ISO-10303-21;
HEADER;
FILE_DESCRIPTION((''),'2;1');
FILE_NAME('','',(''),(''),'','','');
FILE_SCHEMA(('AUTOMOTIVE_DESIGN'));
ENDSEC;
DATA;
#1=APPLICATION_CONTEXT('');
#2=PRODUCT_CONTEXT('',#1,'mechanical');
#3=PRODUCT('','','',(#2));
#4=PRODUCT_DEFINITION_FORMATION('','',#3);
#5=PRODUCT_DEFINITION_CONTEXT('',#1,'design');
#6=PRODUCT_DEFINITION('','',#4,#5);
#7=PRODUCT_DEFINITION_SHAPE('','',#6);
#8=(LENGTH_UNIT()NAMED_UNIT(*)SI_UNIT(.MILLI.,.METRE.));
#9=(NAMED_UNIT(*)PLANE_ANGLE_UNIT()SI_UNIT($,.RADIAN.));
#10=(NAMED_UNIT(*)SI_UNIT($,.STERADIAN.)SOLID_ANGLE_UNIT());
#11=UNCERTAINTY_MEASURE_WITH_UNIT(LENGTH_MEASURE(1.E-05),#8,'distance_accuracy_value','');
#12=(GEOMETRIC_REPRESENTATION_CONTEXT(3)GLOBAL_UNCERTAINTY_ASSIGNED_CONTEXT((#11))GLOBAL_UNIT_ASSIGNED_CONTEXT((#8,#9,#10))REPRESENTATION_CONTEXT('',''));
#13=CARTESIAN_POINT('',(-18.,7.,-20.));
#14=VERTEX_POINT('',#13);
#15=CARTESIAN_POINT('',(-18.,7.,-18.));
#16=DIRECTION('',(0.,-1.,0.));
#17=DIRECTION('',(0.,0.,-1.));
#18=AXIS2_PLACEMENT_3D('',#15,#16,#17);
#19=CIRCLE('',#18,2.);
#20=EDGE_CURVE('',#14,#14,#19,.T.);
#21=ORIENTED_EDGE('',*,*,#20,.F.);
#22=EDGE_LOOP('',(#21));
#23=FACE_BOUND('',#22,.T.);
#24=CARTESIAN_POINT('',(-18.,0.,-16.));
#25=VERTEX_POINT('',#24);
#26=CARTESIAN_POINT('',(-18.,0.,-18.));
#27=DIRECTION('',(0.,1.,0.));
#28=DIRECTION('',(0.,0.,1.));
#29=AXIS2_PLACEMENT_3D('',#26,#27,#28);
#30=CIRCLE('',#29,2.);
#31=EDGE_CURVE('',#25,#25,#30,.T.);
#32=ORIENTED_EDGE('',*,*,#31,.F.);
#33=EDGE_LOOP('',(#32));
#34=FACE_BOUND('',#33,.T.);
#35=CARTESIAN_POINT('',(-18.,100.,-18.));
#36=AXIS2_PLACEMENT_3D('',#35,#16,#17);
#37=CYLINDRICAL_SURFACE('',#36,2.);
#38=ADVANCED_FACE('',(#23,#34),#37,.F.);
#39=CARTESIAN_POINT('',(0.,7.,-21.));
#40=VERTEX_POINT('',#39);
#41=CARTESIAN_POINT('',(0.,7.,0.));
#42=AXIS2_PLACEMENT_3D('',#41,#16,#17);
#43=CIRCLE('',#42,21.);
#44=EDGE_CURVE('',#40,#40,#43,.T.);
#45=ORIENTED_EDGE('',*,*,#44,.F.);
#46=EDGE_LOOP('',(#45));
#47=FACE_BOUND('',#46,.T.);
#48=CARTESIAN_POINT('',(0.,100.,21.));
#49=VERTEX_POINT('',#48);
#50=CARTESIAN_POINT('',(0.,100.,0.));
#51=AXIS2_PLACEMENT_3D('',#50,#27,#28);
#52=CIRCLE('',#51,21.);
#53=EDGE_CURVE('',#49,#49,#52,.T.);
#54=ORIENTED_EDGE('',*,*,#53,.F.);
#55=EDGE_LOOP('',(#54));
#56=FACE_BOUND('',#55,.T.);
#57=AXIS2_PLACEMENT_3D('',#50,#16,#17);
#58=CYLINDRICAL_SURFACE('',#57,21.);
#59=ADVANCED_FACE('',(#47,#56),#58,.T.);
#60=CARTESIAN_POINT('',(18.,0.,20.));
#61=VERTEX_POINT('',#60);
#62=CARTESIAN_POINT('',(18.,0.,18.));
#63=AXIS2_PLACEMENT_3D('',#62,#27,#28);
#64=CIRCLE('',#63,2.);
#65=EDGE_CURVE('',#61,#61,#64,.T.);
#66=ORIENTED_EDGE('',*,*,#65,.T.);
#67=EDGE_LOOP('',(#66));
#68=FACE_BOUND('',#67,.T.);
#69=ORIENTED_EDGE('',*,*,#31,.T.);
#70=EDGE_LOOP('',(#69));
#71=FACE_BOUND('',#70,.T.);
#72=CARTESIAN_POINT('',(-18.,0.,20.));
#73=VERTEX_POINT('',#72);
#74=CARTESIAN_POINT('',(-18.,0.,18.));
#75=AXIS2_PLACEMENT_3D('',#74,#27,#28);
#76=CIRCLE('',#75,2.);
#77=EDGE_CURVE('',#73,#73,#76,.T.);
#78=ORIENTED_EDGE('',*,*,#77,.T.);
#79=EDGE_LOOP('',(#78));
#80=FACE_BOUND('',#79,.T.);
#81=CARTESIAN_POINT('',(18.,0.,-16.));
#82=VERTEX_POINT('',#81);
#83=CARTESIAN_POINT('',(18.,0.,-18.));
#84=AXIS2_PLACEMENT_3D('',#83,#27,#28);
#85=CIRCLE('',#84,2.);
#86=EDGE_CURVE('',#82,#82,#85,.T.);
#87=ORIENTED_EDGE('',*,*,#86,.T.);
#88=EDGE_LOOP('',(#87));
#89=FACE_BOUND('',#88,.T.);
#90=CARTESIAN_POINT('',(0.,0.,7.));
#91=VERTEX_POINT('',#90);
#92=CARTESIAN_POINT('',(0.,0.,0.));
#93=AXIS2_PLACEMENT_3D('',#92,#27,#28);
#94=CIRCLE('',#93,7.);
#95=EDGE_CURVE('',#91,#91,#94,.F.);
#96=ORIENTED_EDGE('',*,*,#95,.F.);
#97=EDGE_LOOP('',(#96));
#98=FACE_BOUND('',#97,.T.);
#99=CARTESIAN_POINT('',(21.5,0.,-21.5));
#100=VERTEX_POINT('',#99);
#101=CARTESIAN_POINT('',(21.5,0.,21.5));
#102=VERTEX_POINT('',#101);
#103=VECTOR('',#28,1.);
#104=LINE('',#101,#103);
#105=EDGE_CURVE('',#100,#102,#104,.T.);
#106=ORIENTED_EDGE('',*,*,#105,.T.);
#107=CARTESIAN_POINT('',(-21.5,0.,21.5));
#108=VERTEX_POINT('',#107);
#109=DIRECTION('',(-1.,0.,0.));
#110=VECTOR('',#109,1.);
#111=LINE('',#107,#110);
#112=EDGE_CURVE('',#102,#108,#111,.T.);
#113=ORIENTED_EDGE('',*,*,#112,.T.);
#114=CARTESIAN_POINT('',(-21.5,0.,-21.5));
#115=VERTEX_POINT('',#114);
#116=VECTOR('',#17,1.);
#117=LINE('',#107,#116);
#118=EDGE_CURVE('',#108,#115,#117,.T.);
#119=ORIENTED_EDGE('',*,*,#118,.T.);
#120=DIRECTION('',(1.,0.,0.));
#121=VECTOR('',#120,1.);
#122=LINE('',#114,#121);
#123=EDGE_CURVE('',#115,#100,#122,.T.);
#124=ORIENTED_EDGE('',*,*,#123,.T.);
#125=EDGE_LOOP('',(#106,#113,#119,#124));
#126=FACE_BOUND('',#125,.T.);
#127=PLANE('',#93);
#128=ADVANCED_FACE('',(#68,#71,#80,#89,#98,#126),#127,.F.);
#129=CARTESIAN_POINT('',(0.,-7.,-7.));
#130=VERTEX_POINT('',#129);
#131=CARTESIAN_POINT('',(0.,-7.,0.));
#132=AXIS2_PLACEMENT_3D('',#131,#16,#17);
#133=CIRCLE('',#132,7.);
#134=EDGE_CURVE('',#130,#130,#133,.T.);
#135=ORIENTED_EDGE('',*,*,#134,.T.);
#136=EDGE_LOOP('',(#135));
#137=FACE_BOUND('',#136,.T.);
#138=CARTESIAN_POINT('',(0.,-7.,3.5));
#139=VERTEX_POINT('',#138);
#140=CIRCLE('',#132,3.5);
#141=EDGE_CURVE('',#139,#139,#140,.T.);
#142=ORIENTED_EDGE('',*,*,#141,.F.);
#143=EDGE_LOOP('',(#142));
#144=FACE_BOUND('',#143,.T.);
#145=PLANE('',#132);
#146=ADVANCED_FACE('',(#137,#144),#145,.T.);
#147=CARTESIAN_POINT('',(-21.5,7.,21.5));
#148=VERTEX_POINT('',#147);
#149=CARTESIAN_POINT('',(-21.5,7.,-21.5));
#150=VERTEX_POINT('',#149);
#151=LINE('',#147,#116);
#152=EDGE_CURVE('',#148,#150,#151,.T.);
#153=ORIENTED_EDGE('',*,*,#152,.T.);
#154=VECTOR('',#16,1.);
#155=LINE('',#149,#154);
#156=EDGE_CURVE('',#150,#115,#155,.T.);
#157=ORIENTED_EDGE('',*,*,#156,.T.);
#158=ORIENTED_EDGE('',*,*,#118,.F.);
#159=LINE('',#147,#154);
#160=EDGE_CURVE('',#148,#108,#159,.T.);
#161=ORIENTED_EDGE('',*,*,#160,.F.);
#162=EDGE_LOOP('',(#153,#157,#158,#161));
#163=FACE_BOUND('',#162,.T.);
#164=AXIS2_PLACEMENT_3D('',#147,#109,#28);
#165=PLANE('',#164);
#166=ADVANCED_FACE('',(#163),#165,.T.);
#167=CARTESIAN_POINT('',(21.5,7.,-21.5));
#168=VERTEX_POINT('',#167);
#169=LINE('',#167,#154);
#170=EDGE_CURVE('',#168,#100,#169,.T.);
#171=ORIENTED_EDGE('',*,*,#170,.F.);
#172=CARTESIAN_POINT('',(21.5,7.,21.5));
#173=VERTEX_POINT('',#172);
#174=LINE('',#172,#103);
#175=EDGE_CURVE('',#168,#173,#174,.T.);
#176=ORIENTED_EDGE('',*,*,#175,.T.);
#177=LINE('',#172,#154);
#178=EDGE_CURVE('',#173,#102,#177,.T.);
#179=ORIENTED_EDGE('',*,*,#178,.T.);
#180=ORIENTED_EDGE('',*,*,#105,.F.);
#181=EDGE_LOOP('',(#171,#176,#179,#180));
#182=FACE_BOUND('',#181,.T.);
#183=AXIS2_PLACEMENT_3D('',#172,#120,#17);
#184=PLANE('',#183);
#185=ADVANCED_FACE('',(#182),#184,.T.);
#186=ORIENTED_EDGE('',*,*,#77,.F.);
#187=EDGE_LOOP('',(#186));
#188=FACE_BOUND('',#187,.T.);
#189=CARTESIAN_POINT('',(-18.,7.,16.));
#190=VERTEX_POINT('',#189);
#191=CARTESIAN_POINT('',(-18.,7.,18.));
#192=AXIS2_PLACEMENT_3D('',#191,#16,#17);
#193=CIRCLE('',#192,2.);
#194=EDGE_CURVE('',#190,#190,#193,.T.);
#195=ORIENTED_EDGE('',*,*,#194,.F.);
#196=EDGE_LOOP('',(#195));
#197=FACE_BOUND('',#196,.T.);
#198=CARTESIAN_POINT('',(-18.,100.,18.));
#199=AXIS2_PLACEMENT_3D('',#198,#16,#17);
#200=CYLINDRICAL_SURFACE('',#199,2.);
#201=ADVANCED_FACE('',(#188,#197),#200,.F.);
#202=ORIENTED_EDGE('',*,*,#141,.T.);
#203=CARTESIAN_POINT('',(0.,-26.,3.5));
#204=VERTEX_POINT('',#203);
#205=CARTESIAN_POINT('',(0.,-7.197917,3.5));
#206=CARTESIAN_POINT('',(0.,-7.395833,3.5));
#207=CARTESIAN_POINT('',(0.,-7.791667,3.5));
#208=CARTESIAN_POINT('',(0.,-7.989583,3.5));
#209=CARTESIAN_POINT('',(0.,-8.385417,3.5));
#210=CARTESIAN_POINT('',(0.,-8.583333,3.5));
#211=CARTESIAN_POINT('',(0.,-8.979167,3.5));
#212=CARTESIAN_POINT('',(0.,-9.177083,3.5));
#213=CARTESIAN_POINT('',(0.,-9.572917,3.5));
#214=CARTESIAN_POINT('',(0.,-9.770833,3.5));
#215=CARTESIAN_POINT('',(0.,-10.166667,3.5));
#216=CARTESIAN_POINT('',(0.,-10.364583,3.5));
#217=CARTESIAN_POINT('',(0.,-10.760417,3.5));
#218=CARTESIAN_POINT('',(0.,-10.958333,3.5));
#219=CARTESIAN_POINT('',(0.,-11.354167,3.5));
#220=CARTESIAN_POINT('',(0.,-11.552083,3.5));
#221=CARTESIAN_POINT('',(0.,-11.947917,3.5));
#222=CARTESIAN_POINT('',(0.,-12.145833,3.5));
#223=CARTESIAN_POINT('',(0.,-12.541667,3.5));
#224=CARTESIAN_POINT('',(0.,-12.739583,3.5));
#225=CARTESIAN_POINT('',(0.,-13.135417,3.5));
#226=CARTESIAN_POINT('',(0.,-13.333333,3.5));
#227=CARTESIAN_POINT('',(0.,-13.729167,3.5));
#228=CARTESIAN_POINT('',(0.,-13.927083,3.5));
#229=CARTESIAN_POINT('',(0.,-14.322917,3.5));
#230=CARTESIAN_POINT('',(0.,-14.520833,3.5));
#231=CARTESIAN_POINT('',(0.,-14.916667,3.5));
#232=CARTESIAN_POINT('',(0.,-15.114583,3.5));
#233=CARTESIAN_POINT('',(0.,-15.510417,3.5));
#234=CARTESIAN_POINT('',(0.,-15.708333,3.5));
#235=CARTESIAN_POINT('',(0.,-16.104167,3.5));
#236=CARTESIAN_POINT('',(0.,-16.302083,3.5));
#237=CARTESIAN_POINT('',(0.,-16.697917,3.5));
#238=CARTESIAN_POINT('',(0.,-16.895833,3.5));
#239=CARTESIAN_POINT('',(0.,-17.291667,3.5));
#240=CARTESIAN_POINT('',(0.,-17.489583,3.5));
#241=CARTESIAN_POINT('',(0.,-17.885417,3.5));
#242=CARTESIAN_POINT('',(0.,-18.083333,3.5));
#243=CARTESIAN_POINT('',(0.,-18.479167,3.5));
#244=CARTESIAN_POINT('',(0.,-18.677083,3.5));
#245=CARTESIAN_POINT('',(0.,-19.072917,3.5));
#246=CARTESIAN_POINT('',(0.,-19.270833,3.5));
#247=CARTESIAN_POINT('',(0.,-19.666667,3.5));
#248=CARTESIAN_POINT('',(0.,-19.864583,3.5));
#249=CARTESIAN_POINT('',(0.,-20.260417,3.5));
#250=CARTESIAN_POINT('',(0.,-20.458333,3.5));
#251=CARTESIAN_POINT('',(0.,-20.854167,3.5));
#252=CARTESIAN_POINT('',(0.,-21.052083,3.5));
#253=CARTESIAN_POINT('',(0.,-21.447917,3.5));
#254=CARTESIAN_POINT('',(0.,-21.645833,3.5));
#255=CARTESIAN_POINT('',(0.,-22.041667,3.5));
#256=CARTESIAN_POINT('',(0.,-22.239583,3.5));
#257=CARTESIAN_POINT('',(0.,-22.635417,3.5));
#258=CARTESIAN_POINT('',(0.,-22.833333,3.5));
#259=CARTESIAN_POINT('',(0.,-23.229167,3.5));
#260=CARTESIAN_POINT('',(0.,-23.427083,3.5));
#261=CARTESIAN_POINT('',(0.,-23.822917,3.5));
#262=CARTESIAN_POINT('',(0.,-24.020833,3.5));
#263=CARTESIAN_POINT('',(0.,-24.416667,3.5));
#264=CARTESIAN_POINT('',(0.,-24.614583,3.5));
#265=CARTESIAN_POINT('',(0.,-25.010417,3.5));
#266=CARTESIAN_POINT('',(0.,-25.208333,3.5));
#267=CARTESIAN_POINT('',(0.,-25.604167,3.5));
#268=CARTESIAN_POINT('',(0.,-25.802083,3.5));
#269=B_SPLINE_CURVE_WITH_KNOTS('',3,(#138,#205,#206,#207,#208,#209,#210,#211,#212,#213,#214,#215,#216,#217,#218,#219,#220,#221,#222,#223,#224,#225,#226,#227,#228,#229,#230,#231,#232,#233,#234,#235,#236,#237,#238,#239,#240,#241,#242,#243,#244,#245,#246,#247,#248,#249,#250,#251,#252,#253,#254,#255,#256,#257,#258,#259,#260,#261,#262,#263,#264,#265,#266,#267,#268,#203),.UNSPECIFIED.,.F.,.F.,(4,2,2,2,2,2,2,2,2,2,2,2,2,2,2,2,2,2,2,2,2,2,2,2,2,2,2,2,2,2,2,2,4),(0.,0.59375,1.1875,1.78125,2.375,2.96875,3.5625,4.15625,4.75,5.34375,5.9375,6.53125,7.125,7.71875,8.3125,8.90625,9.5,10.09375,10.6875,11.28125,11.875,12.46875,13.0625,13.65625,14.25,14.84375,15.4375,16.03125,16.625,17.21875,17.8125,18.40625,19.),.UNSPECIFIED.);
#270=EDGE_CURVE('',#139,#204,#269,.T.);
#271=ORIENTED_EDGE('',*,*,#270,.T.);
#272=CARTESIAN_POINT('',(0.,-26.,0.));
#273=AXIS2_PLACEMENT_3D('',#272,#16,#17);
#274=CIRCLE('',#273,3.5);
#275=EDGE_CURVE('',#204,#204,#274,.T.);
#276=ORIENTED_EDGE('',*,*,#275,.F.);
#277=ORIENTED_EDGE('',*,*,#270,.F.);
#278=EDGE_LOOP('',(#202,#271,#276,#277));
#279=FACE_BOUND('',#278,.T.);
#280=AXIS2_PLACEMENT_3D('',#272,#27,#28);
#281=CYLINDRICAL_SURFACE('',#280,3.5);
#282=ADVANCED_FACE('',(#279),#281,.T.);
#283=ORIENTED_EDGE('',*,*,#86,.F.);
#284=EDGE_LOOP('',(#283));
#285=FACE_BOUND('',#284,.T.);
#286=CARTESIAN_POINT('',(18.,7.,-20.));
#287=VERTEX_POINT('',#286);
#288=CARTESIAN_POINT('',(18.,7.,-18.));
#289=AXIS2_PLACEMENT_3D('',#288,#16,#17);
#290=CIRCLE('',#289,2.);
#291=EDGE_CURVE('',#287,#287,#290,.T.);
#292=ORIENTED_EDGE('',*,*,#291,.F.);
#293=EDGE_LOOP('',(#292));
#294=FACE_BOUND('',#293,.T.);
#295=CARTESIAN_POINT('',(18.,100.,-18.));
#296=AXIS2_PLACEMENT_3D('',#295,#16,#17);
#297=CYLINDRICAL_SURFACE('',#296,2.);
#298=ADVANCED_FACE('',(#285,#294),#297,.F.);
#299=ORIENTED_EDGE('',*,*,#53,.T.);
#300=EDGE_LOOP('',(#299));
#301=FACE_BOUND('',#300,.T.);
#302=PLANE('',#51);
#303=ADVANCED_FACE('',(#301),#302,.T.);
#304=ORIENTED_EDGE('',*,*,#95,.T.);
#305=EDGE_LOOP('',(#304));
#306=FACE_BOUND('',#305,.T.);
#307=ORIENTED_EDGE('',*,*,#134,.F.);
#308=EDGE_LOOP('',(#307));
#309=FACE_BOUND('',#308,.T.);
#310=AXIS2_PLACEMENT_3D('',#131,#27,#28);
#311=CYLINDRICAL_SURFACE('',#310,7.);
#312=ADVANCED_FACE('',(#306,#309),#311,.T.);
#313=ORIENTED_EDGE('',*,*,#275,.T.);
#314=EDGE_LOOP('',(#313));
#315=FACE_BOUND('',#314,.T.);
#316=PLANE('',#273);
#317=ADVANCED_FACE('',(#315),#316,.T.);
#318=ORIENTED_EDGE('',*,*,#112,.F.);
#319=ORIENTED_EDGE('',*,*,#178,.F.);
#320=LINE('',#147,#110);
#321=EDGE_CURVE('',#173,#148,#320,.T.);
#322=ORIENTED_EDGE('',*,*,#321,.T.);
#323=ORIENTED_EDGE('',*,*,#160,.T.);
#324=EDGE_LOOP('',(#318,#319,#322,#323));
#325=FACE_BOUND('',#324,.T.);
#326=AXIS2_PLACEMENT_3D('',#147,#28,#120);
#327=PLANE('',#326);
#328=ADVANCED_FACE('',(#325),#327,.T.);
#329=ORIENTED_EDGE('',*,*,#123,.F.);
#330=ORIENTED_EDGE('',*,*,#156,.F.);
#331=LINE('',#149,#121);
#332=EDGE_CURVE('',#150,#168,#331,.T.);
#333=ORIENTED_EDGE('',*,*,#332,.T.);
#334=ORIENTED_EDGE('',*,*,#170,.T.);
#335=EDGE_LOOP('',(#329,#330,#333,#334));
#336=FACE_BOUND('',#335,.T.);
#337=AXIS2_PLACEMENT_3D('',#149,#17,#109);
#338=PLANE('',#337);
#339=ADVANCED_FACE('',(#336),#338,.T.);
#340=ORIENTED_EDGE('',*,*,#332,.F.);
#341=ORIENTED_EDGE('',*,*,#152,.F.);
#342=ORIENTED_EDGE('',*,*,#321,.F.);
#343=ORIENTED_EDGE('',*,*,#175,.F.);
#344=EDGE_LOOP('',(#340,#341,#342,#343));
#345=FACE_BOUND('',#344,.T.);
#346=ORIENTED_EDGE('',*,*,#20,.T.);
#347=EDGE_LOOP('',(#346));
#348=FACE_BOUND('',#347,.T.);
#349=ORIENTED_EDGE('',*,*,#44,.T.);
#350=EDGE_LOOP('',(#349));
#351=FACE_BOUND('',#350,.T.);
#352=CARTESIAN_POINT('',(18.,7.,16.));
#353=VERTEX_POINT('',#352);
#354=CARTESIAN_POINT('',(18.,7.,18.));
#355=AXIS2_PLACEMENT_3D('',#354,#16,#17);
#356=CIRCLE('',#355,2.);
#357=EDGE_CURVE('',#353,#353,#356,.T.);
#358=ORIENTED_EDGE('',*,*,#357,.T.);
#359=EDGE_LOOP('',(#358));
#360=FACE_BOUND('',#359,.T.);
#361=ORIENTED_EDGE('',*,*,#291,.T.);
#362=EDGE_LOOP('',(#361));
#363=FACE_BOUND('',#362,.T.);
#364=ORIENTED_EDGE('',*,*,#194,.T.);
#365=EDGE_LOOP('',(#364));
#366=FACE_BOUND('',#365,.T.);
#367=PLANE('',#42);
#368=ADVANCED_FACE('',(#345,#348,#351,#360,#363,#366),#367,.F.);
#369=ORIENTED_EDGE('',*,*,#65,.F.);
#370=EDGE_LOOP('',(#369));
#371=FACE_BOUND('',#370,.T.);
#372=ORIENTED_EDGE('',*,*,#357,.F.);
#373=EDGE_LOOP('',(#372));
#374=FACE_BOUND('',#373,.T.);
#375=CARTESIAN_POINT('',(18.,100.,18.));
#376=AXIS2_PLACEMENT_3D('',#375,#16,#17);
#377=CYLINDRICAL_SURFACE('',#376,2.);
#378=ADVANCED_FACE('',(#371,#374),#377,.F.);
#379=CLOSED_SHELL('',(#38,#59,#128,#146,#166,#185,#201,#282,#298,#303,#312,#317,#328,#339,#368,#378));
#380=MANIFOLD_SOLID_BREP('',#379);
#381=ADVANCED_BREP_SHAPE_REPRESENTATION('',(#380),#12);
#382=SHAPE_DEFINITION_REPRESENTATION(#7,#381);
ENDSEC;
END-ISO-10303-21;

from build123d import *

# Parameters (mm, degrees)
SKETCH1_R               = 21
BOSS_EXTRUDE1_DEPTH     = 100
SKETCH3_R               = 3.5
BOSS_EXTRUDE3_DEPTH     = 26
SKETCH4_R               = 7
BOSS_EXTRUDE4_DEPTH     = 7
SKETCH5_W               = 43
SKETCH5_H               = 43
BOSS_EXTRUDE5_DEPTH     = 7
CUT_EXTRUDE1_DEPTH      = 105.52033295
CUT_EXTRUDE1_DEPTH_BACK = 105.52033295


with BuildPart() as part:
    # Sketch1 → Boss-Extrude1 (new body)
    with BuildSketch(Plane(origin=(0, 0, 0), x_dir=(1, 0, 0), z_dir=(0, 1, 0))):
        with Locations(Location((0, 0, 0), (0, 0, 270))):
            Circle(SKETCH1_R)
    extrude(amount=BOSS_EXTRUDE1_DEPTH)

    # Sketch3 → Boss-Extrude3 (add)
    with BuildSketch(Plane.XZ):
        with Locations(Location((0, 0, 0), (0, 0, 90))):
            Circle(SKETCH3_R)
    extrude(amount=BOSS_EXTRUDE3_DEPTH)

    # Sketch4 → Boss-Extrude4 (add)
    with BuildSketch(Plane.XZ):
        with Locations(Location((0, 0, 0), (0, 0, 90))):
            Circle(SKETCH4_R)
    extrude(amount=BOSS_EXTRUDE4_DEPTH)

    # Sketch5 → Boss-Extrude5 (add)
    with BuildSketch(Plane.XZ):
        Rectangle(SKETCH5_W, SKETCH5_H)
    extrude(amount=-BOSS_EXTRUDE5_DEPTH)

    # Sketch6 → Cut-Extrude1 (cut, two sides: drawn at the far end of the back side and taken through both)
    with BuildSketch(Plane.XZ.offset(-CUT_EXTRUDE1_DEPTH_BACK)):
        with BuildLine():
            ThreePointArc((-16, 18), (-19.414213562, 19.414213562), (-18, 16))
            Line((-18, 16), (-18, 18))
            Line((-18, 18), (-16, 18))
        make_face()
        with BuildLine():
            Line((-18, 18), (-18, 16))
            ThreePointArc((-18, 16), (-16.585786438, 16.585786438), (-16, 18))
            Line((-16, 18), (-18, 18))
        make_face()
        with BuildLine():
            Line((-18, -16), (-18, -18))
            Line((-18, -18), (-16, -18))
            ThreePointArc((-16, -18), (-16.585786438, -16.585786438), (-18, -16))
        make_face()
        with BuildLine():
            Line((-16, -18), (-18, -18))
            Line((-18, -18), (-18, -16))
            ThreePointArc((-18, -16), (-19.414213562, -19.414213562), (-16, -18))
        make_face()
        with BuildLine():
            ThreePointArc((18, -16), (16.585786438, -16.585786438), (16, -18))
            Line((16, -18), (18, -18))
            Line((18, -18), (18, -16))
        make_face()
        with BuildLine():
            Line((18, -18), (16, -18))
            ThreePointArc((16, -18), (18, -20), (20, -18))
            ThreePointArc((20, -18), (19.414213562, -16.585786438), (18, -16))
            Line((18, -16), (18, -18))
        make_face()
        with BuildLine():
            ThreePointArc((16, 18), (16.585786438, 16.585786438), (18, 16))
            Line((18, 16), (18, 18))
            Line((18, 18), (16, 18))
        make_face()
        with BuildLine():
            Line((18, 18), (18, 16))
            ThreePointArc((18, 16), (19.414213562, 16.585786438), (20, 18))
            ThreePointArc((20, 18), (18, 20), (16, 18))
            Line((16, 18), (18, 18))
        make_face()
    extrude(amount=CUT_EXTRUDE1_DEPTH + CUT_EXTRUDE1_DEPTH_BACK, mode=Mode.SUBTRACT)


solid = part.part
